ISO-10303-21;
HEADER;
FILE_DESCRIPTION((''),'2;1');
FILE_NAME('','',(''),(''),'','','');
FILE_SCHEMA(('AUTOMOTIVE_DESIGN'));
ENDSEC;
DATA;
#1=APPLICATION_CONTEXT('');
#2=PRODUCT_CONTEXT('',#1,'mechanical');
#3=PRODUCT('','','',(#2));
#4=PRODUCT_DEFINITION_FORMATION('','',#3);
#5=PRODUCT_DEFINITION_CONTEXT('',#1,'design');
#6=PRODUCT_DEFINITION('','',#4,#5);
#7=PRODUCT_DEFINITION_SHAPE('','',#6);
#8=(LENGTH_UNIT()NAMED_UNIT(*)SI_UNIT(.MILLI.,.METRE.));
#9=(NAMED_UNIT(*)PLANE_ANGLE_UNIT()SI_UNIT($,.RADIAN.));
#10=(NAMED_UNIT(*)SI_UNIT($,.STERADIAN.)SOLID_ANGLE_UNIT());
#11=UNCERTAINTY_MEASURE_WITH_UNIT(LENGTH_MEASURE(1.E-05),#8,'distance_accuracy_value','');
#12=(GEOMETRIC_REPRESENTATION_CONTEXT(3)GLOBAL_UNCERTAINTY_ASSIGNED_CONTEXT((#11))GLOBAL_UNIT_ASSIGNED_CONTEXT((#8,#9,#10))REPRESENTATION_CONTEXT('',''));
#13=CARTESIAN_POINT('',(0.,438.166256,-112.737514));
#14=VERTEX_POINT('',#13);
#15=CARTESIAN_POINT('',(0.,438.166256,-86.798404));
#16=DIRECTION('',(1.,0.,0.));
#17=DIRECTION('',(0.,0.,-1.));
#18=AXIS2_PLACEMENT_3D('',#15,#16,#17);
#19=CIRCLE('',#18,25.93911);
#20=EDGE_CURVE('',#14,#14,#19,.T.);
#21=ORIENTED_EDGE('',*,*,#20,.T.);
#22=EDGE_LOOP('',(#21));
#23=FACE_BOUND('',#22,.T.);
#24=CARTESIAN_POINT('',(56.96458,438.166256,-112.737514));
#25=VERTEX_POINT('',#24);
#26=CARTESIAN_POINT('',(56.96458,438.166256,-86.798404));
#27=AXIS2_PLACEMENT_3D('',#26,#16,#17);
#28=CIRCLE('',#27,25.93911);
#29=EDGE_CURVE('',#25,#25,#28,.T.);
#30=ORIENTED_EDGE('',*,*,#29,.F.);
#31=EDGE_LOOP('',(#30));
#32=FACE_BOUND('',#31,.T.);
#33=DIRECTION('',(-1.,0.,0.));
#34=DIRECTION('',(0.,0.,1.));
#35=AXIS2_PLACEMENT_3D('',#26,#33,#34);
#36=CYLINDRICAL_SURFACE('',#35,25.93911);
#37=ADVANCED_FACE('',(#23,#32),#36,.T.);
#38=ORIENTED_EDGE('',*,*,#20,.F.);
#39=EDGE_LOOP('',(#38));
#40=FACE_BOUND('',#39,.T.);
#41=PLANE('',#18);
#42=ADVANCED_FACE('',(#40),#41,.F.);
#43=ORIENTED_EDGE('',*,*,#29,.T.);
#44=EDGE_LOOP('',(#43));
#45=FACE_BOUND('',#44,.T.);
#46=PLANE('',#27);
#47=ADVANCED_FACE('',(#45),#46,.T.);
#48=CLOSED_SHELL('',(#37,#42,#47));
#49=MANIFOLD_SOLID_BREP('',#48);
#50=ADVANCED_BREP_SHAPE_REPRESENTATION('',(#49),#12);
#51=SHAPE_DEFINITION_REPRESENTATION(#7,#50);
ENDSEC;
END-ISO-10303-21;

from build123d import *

# Parameters (mm, degrees)
SKETCH1_R           = 25.939110013
BOSS_EXTRUDE1_DEPTH = 56.96458


with BuildPart() as part:
    # Sketch1 → Boss-Extrude1 (new body)
    with BuildSketch(Plane(origin=(0, 0, 0), x_dir=(0, 0, -1), z_dir=(1, 0, 0))):
        with Locations((86.798404, 438.166256)):
            Circle(SKETCH1_R)
    extrude(amount=BOSS_EXTRUDE1_DEPTH)


solid = part.part
